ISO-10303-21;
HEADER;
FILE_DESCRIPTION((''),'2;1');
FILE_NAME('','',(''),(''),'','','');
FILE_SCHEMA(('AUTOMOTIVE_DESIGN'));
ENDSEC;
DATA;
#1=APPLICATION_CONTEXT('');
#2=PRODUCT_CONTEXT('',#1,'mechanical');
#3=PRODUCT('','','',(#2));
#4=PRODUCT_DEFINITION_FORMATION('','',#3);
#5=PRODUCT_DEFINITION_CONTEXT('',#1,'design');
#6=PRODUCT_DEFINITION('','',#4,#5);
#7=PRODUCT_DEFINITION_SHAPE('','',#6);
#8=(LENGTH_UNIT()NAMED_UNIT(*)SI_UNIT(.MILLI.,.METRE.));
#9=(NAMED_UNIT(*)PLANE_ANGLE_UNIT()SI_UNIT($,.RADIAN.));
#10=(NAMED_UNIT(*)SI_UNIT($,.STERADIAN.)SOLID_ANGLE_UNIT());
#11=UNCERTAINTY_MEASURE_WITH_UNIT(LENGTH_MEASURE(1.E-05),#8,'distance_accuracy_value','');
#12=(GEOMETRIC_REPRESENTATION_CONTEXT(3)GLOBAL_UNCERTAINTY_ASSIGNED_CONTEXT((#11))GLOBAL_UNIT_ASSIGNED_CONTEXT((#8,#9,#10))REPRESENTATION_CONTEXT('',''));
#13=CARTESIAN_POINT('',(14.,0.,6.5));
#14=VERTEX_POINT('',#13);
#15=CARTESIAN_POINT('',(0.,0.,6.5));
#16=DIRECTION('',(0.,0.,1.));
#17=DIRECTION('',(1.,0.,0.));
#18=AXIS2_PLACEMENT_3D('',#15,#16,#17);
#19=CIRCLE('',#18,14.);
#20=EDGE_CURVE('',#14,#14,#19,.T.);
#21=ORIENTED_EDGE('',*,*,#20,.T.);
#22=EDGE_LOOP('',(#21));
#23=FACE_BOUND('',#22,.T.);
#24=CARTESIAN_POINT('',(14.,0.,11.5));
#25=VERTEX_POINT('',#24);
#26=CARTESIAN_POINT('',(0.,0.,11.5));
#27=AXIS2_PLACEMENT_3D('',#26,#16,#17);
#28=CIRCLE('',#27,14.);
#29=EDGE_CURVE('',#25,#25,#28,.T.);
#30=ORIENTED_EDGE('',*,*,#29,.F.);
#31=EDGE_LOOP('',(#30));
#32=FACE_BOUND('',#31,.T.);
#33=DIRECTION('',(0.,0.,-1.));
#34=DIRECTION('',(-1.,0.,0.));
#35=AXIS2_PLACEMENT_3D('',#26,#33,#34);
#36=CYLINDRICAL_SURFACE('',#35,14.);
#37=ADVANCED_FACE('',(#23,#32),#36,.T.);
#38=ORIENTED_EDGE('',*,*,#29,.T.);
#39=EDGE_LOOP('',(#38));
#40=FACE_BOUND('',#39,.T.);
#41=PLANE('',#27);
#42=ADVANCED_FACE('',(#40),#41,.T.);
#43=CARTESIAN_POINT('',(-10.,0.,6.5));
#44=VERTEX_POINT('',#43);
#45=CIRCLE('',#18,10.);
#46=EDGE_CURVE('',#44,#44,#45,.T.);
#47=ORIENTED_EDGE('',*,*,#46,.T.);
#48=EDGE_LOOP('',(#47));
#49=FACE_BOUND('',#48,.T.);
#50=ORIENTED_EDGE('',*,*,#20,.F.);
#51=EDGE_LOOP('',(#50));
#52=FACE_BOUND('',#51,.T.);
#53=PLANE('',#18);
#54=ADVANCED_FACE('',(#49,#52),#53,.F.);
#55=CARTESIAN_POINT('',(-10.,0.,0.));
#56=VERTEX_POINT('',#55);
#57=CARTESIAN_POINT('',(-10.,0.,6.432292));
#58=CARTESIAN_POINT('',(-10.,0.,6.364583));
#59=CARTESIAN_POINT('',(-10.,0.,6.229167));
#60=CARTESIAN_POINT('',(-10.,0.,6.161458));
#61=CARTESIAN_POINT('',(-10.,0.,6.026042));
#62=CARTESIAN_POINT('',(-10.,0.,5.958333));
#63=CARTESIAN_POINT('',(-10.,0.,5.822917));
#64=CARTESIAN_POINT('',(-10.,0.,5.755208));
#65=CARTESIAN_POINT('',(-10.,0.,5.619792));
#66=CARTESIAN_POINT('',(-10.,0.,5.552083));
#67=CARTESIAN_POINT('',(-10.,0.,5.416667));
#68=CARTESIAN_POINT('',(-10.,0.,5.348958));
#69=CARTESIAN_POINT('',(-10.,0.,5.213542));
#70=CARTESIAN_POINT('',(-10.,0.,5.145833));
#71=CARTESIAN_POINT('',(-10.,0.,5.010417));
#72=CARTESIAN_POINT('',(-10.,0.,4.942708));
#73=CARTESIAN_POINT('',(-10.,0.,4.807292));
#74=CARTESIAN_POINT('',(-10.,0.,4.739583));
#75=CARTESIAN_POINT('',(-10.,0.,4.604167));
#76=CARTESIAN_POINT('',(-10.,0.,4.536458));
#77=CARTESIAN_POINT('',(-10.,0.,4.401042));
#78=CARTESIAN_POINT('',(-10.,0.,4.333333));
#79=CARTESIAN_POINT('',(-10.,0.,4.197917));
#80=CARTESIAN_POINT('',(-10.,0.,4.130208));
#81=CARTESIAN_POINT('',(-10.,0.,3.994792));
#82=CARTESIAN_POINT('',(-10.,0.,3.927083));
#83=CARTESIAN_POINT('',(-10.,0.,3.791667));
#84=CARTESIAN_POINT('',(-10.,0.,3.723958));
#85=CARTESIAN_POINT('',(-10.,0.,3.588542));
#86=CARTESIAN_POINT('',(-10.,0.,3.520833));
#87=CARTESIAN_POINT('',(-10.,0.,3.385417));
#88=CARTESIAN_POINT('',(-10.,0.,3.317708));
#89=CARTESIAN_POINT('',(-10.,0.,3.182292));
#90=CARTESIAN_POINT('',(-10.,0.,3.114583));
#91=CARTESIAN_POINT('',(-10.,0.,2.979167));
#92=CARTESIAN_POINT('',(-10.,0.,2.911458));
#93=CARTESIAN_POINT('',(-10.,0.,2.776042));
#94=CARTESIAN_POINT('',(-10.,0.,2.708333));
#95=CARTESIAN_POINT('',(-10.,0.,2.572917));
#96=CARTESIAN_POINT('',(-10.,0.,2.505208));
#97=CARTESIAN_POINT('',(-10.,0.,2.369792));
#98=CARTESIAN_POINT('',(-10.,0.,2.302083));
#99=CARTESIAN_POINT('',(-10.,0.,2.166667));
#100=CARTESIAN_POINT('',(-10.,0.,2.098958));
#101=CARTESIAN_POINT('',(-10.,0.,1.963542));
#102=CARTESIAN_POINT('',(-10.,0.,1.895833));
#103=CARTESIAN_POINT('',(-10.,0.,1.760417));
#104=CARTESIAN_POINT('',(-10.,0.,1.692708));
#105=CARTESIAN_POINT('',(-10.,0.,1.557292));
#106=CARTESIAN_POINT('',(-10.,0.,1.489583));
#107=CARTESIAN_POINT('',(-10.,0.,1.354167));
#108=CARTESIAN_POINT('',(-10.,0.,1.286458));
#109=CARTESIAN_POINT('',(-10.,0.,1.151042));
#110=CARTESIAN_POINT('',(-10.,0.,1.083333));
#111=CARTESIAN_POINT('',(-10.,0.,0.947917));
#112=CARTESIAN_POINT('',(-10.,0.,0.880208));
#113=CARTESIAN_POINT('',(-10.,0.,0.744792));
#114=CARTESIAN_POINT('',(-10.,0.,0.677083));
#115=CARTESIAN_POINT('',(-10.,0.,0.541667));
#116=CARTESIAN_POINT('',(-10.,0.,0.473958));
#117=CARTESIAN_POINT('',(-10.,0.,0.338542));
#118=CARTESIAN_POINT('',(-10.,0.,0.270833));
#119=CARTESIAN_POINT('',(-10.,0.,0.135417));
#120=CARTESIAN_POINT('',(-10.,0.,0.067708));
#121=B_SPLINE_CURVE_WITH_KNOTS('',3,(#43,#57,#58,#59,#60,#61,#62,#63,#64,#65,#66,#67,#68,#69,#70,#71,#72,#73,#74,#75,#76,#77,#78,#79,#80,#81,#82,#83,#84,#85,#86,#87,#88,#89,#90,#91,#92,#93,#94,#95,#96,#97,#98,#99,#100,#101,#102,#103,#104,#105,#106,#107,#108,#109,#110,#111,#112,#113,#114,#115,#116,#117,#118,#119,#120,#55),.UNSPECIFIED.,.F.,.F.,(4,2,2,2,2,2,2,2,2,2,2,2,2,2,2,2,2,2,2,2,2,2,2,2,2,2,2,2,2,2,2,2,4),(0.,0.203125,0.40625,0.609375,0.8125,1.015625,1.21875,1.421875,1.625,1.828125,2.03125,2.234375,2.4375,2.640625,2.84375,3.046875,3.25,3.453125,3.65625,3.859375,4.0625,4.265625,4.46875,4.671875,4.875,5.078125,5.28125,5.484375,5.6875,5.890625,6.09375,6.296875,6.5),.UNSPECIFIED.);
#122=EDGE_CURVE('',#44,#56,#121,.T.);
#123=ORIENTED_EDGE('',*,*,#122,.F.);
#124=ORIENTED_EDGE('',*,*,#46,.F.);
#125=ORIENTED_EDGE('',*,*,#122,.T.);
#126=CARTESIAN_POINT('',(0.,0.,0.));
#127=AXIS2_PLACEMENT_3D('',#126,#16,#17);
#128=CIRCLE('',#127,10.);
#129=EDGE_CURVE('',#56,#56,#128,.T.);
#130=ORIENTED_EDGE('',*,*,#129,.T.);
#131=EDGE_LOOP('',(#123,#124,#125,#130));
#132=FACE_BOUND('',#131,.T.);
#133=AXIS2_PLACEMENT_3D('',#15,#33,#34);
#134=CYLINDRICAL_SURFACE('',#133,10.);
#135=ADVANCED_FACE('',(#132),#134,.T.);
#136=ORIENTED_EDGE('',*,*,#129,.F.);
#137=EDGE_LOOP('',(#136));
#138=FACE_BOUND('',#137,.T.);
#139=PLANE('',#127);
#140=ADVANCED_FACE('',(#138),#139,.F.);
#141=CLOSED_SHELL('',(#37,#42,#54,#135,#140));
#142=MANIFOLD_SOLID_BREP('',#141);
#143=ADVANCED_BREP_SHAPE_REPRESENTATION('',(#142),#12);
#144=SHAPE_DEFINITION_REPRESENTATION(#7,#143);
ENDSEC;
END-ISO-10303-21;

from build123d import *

# Parameters (mm, degrees)
SKETCH1_R           = 10
BOSS_EXTRUDE1_DEPTH = 6.5
SKETCH2_R           = 14
BOSS_EXTRUDE2_DEPTH = 5


with BuildPart() as part:
    # Sketch1 → Boss-Extrude1 (new body)
    with BuildSketch(Plane.XY):
        with Locations(Location((0, 0, 0), (0, 0, 180))):
            Circle(SKETCH1_R)
    extrude(amount=BOSS_EXTRUDE1_DEPTH)

    # Sketch2 → Boss-Extrude2 (add)
    with BuildSketch(Plane.XY.offset(6.5)):
        Circle(SKETCH2_R)
    extrude(amount=BOSS_EXTRUDE2_DEPTH)


solid = part.part
